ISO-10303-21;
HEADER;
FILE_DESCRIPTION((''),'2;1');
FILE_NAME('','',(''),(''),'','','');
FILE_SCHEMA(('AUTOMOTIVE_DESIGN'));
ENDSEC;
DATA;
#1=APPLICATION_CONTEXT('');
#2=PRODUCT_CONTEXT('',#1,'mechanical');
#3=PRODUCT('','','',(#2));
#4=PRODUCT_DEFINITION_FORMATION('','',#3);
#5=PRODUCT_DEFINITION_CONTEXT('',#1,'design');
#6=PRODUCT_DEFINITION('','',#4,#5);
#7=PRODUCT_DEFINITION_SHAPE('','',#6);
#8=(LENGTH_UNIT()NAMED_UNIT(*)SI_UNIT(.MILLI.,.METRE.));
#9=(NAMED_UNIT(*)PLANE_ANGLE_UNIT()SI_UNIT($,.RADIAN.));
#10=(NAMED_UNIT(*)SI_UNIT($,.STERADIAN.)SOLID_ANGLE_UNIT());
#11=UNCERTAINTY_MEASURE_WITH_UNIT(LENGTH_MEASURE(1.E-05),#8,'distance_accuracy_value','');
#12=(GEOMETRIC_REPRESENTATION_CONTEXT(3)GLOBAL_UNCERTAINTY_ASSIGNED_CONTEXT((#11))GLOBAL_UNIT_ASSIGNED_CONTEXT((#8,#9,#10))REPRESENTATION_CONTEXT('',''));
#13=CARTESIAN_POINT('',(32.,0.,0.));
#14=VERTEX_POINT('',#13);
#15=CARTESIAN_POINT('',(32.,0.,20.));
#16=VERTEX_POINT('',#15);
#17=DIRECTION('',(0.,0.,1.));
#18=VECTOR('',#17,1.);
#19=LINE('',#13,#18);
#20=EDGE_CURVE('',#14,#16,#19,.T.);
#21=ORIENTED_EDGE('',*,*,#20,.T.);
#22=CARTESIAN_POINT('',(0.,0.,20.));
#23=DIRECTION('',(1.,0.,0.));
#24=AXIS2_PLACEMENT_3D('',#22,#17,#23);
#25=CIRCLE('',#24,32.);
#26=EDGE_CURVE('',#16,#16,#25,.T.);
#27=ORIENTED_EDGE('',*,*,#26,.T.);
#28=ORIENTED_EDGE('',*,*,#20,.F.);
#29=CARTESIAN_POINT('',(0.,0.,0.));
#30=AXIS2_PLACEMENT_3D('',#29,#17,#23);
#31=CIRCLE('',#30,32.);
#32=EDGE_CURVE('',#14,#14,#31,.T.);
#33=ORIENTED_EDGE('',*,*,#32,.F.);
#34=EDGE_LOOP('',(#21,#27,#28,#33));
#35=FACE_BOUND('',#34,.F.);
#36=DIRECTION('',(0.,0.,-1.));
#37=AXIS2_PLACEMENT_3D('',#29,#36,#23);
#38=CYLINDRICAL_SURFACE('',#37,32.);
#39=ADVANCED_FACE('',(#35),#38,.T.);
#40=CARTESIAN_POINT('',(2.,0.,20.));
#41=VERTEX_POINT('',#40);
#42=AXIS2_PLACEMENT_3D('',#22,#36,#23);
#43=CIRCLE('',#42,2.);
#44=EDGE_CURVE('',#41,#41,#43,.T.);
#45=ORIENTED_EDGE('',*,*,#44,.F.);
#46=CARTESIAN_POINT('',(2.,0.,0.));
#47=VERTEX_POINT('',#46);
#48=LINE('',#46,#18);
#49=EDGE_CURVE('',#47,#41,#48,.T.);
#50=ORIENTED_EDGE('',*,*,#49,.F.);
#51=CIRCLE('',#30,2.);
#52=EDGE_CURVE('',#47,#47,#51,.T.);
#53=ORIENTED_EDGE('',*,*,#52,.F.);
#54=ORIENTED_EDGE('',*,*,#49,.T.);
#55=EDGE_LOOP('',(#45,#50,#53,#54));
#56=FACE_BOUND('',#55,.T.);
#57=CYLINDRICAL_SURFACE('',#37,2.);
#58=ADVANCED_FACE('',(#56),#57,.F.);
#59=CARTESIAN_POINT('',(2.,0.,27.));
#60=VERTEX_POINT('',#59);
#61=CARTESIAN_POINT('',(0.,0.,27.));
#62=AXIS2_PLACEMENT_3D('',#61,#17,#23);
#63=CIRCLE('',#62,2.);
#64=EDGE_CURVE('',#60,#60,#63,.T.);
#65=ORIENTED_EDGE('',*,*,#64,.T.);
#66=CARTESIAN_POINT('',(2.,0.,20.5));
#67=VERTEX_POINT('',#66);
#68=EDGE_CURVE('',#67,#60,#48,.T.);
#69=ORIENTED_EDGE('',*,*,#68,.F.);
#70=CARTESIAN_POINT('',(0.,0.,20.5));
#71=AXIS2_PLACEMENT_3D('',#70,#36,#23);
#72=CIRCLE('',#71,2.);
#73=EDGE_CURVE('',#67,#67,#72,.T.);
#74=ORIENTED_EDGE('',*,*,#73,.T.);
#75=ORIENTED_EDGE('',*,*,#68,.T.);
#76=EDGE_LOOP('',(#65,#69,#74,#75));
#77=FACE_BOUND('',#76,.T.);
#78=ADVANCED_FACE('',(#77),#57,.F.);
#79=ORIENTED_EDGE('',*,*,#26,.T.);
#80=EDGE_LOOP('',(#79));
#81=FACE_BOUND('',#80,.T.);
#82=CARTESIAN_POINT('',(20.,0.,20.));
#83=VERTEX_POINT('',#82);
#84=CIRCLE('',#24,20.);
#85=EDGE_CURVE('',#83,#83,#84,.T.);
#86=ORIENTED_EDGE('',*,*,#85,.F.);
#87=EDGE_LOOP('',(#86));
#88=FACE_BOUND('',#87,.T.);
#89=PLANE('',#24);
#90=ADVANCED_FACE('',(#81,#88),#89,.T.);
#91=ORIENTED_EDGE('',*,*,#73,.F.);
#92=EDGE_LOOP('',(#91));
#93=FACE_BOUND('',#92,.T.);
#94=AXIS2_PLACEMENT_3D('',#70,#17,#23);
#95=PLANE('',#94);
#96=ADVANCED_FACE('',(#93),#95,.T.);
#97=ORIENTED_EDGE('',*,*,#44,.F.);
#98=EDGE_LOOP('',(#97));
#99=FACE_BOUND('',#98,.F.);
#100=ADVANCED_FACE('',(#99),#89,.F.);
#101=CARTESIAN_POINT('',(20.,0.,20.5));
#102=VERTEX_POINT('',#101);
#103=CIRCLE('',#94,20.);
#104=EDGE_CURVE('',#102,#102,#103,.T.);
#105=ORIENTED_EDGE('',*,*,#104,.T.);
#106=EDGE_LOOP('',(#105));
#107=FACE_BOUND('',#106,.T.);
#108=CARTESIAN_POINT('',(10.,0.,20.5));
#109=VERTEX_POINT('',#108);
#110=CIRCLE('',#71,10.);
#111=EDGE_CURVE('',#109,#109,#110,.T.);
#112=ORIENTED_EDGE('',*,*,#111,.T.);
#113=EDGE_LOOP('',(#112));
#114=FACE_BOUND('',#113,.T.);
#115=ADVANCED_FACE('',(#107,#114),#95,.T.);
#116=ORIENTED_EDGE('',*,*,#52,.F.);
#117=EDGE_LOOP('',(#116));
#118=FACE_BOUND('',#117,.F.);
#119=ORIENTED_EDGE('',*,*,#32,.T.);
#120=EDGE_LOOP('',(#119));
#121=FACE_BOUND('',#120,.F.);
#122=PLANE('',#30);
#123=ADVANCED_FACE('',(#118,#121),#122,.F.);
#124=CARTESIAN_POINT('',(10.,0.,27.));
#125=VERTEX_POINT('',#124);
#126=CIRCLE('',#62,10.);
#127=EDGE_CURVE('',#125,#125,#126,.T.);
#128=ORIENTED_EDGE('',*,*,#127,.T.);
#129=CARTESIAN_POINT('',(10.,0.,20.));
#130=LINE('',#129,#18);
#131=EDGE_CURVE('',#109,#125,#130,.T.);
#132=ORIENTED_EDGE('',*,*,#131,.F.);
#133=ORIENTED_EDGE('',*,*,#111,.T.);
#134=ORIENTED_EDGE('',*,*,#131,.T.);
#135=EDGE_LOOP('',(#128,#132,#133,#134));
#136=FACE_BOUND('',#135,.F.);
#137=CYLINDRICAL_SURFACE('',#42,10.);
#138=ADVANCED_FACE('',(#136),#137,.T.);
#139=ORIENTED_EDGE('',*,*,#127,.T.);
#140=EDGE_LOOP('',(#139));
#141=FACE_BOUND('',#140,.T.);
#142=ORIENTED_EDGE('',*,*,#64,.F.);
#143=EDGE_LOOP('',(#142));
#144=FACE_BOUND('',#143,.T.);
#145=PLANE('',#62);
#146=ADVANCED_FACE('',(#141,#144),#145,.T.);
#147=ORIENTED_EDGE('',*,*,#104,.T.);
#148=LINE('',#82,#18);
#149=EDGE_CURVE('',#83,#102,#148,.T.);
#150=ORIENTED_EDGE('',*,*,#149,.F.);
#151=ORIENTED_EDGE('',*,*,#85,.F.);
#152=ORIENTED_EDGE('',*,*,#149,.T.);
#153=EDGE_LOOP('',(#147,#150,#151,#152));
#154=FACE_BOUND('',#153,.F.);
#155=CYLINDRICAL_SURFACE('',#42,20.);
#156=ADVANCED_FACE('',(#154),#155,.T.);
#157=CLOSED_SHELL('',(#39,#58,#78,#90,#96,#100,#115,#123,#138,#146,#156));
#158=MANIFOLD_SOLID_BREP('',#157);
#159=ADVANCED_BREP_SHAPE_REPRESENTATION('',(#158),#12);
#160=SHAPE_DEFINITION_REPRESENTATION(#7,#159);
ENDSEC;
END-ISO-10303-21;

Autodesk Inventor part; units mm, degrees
ref_plane "YZ Plane" through (0, 0, 0) normal (1, 0, 0) x (0, 1, 0)
ref_plane "XZ Plane" through (0, 0, 0) normal (0, 1, 0) x (-1, 0, 0)
ref_plane "XY Plane" through (0, 0, 0) normal (0, 0, 1) x (1, 0, 0)
sketch "Sketch1" plane through (0, 0, 0) normal (0, 0, 1) x (1, 0, 0)
  circle A0 centre (0, 0) radius 32
  circle A1 centre (0, 0) radius 2
  dimension "d0" = 64
  dimension "d1" = 4
extrude "Extrusion1" add sketch "Sketch1" along normal blind 20
sketch "Sketch2" plane through (0, 0, 20) normal (0, 0, 1) x (1, 0, 0)
  circle A0 centre (0, 0) radius 2 projected
  circle A1 centre (0, 0) radius 10
  dimension "d4" = 20
extrude "Extrusion2" add sketch "Sketch2" along normal blind 7
sketch "Sketch3" plane through (0, 0, 20) normal (0, 0, 1) x (1, 0, 0)
  circle A0 centre (0, 0) radius 20
  dimension "d7" = 40
extrude "Extrusion3" add sketch "Sketch3" along normal blind 0.5
properties part number "weel" material "Rubber"
